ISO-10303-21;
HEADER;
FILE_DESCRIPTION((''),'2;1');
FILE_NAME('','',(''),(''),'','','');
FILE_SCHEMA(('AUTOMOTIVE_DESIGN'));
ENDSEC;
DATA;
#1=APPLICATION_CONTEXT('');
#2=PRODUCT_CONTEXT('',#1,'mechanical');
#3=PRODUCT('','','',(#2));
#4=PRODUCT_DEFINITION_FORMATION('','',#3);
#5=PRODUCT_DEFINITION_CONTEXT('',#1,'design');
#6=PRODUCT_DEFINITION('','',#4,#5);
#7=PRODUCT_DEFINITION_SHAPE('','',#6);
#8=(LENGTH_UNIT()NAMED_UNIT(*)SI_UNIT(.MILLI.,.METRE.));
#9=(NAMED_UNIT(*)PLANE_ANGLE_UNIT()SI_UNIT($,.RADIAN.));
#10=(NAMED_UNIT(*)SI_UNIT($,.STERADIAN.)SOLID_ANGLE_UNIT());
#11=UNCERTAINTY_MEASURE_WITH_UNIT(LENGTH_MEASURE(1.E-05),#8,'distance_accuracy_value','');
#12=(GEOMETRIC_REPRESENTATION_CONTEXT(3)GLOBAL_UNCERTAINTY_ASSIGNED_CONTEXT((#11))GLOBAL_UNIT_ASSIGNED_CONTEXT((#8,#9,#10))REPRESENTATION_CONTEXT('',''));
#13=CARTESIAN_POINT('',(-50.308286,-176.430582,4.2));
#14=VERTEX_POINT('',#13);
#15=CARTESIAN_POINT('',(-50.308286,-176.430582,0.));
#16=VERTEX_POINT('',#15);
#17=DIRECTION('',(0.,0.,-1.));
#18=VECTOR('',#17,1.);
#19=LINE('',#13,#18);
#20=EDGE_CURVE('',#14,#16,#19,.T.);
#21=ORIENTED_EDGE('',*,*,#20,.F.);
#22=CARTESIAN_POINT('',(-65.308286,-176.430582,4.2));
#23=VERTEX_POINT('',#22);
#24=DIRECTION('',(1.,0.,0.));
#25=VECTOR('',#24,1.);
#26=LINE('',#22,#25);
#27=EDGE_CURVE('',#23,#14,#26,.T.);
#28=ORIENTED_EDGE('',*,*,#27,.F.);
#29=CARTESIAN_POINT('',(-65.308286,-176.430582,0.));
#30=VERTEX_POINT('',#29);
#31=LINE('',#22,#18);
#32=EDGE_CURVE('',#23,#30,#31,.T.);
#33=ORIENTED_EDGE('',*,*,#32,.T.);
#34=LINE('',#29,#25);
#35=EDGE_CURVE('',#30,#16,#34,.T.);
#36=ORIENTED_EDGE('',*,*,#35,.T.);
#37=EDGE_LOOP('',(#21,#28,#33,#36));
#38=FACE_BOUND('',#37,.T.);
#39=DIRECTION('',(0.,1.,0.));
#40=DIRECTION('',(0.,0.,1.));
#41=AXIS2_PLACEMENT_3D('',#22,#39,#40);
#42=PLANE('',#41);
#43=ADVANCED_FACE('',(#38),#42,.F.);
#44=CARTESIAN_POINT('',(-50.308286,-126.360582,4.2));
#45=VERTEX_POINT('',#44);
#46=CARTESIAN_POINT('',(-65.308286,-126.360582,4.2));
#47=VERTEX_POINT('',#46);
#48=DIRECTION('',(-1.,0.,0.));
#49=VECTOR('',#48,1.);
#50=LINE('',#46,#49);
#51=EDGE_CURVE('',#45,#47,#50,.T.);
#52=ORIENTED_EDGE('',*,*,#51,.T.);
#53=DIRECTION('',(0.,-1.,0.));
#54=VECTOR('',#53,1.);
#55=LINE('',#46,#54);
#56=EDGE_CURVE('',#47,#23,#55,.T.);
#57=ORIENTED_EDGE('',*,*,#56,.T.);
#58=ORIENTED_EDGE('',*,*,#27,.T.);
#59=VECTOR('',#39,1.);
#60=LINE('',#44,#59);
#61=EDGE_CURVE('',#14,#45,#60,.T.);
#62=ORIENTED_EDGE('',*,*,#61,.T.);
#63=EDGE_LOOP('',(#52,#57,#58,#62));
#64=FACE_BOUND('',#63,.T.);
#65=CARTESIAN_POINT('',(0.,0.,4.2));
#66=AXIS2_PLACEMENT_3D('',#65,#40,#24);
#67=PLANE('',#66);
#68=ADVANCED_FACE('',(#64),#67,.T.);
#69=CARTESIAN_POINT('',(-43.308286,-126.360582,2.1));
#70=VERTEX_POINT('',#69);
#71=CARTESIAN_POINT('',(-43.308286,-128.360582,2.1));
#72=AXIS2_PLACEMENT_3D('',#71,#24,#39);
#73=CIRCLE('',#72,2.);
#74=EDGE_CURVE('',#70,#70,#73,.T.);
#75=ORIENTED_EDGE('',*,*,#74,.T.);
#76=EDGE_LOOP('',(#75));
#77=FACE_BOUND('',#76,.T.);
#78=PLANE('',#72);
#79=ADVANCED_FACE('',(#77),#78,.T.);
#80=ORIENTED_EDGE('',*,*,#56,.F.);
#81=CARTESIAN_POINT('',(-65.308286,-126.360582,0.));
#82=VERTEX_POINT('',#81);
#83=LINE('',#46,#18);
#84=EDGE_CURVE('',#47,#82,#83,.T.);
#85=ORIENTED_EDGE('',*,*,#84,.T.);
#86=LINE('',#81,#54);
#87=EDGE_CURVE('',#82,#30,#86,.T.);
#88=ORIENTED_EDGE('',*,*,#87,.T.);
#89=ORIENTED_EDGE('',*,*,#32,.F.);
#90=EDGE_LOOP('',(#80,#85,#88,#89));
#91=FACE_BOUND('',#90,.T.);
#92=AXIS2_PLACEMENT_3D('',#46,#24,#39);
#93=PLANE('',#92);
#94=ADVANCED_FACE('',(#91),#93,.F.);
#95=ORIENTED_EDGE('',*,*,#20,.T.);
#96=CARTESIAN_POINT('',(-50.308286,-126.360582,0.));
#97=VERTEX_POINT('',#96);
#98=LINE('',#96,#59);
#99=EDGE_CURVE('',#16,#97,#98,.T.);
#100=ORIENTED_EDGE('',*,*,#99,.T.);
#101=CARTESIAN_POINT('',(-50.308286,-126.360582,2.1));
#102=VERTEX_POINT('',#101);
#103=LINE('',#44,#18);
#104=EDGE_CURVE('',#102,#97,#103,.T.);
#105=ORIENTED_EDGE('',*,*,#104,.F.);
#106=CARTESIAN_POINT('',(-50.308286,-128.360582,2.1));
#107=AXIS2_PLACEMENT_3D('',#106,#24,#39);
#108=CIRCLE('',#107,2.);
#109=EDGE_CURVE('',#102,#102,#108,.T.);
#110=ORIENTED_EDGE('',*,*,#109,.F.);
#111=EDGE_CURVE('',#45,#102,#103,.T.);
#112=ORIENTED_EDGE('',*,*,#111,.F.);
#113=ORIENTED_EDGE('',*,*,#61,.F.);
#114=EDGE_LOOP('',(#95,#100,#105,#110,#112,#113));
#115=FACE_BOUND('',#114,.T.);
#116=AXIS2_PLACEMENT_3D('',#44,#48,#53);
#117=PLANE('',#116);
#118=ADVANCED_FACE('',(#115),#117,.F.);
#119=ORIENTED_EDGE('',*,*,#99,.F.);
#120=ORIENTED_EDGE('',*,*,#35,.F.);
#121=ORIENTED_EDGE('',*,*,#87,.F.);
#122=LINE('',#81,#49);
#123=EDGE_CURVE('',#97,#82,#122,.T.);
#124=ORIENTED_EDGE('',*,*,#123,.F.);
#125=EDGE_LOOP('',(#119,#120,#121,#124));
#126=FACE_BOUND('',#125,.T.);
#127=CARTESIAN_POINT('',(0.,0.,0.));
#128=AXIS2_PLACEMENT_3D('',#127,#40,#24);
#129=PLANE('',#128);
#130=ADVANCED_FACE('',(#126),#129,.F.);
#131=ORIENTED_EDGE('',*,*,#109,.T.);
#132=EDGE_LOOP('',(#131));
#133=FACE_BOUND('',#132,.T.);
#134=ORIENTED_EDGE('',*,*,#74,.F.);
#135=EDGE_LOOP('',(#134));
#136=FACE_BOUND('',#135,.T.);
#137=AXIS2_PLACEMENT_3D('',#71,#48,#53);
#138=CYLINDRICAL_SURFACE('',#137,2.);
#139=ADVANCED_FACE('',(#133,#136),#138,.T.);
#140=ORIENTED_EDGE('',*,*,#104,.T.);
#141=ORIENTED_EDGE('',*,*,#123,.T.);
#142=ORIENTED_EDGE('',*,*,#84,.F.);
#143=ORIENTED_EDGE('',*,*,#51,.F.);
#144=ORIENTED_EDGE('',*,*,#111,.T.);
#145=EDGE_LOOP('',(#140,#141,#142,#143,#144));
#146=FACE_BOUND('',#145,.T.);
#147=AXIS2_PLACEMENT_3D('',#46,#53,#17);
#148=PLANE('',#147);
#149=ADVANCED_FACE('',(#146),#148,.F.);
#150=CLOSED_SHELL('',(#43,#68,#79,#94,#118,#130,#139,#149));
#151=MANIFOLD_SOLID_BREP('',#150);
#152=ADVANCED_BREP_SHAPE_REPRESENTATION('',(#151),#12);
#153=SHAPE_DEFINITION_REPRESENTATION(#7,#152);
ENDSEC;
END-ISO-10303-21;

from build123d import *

# Parameters (mm, degrees)
SKETCH1_W           = 15
SKETCH1_H           = 50.07
BOSS_EXTRUDE1_DEPTH = 4.2
SKETCH2_R           = 2
BOSS_EXTRUDE2_DEPTH = 7


with BuildPart() as part:
    # Sketch1 → Boss-Extrude1 (new body)
    with BuildSketch(Plane.XY):
        with Locations((-57.808285707, -151.395582189)):
            Rectangle(SKETCH1_W, SKETCH1_H)
    extrude(amount=BOSS_EXTRUDE1_DEPTH)

    # Sketch2 → Boss-Extrude2 (add)
    with BuildSketch(Plane(origin=(-50.308285707, 0, 0), x_dir=(0, 0, -1), z_dir=(1, 0, 0))):
        with Locations(Location((-2.1, -128.360582189, 0), (0, 0, 90))):
            Circle(SKETCH2_R)
    extrude(amount=BOSS_EXTRUDE2_DEPTH)


solid = part.part
